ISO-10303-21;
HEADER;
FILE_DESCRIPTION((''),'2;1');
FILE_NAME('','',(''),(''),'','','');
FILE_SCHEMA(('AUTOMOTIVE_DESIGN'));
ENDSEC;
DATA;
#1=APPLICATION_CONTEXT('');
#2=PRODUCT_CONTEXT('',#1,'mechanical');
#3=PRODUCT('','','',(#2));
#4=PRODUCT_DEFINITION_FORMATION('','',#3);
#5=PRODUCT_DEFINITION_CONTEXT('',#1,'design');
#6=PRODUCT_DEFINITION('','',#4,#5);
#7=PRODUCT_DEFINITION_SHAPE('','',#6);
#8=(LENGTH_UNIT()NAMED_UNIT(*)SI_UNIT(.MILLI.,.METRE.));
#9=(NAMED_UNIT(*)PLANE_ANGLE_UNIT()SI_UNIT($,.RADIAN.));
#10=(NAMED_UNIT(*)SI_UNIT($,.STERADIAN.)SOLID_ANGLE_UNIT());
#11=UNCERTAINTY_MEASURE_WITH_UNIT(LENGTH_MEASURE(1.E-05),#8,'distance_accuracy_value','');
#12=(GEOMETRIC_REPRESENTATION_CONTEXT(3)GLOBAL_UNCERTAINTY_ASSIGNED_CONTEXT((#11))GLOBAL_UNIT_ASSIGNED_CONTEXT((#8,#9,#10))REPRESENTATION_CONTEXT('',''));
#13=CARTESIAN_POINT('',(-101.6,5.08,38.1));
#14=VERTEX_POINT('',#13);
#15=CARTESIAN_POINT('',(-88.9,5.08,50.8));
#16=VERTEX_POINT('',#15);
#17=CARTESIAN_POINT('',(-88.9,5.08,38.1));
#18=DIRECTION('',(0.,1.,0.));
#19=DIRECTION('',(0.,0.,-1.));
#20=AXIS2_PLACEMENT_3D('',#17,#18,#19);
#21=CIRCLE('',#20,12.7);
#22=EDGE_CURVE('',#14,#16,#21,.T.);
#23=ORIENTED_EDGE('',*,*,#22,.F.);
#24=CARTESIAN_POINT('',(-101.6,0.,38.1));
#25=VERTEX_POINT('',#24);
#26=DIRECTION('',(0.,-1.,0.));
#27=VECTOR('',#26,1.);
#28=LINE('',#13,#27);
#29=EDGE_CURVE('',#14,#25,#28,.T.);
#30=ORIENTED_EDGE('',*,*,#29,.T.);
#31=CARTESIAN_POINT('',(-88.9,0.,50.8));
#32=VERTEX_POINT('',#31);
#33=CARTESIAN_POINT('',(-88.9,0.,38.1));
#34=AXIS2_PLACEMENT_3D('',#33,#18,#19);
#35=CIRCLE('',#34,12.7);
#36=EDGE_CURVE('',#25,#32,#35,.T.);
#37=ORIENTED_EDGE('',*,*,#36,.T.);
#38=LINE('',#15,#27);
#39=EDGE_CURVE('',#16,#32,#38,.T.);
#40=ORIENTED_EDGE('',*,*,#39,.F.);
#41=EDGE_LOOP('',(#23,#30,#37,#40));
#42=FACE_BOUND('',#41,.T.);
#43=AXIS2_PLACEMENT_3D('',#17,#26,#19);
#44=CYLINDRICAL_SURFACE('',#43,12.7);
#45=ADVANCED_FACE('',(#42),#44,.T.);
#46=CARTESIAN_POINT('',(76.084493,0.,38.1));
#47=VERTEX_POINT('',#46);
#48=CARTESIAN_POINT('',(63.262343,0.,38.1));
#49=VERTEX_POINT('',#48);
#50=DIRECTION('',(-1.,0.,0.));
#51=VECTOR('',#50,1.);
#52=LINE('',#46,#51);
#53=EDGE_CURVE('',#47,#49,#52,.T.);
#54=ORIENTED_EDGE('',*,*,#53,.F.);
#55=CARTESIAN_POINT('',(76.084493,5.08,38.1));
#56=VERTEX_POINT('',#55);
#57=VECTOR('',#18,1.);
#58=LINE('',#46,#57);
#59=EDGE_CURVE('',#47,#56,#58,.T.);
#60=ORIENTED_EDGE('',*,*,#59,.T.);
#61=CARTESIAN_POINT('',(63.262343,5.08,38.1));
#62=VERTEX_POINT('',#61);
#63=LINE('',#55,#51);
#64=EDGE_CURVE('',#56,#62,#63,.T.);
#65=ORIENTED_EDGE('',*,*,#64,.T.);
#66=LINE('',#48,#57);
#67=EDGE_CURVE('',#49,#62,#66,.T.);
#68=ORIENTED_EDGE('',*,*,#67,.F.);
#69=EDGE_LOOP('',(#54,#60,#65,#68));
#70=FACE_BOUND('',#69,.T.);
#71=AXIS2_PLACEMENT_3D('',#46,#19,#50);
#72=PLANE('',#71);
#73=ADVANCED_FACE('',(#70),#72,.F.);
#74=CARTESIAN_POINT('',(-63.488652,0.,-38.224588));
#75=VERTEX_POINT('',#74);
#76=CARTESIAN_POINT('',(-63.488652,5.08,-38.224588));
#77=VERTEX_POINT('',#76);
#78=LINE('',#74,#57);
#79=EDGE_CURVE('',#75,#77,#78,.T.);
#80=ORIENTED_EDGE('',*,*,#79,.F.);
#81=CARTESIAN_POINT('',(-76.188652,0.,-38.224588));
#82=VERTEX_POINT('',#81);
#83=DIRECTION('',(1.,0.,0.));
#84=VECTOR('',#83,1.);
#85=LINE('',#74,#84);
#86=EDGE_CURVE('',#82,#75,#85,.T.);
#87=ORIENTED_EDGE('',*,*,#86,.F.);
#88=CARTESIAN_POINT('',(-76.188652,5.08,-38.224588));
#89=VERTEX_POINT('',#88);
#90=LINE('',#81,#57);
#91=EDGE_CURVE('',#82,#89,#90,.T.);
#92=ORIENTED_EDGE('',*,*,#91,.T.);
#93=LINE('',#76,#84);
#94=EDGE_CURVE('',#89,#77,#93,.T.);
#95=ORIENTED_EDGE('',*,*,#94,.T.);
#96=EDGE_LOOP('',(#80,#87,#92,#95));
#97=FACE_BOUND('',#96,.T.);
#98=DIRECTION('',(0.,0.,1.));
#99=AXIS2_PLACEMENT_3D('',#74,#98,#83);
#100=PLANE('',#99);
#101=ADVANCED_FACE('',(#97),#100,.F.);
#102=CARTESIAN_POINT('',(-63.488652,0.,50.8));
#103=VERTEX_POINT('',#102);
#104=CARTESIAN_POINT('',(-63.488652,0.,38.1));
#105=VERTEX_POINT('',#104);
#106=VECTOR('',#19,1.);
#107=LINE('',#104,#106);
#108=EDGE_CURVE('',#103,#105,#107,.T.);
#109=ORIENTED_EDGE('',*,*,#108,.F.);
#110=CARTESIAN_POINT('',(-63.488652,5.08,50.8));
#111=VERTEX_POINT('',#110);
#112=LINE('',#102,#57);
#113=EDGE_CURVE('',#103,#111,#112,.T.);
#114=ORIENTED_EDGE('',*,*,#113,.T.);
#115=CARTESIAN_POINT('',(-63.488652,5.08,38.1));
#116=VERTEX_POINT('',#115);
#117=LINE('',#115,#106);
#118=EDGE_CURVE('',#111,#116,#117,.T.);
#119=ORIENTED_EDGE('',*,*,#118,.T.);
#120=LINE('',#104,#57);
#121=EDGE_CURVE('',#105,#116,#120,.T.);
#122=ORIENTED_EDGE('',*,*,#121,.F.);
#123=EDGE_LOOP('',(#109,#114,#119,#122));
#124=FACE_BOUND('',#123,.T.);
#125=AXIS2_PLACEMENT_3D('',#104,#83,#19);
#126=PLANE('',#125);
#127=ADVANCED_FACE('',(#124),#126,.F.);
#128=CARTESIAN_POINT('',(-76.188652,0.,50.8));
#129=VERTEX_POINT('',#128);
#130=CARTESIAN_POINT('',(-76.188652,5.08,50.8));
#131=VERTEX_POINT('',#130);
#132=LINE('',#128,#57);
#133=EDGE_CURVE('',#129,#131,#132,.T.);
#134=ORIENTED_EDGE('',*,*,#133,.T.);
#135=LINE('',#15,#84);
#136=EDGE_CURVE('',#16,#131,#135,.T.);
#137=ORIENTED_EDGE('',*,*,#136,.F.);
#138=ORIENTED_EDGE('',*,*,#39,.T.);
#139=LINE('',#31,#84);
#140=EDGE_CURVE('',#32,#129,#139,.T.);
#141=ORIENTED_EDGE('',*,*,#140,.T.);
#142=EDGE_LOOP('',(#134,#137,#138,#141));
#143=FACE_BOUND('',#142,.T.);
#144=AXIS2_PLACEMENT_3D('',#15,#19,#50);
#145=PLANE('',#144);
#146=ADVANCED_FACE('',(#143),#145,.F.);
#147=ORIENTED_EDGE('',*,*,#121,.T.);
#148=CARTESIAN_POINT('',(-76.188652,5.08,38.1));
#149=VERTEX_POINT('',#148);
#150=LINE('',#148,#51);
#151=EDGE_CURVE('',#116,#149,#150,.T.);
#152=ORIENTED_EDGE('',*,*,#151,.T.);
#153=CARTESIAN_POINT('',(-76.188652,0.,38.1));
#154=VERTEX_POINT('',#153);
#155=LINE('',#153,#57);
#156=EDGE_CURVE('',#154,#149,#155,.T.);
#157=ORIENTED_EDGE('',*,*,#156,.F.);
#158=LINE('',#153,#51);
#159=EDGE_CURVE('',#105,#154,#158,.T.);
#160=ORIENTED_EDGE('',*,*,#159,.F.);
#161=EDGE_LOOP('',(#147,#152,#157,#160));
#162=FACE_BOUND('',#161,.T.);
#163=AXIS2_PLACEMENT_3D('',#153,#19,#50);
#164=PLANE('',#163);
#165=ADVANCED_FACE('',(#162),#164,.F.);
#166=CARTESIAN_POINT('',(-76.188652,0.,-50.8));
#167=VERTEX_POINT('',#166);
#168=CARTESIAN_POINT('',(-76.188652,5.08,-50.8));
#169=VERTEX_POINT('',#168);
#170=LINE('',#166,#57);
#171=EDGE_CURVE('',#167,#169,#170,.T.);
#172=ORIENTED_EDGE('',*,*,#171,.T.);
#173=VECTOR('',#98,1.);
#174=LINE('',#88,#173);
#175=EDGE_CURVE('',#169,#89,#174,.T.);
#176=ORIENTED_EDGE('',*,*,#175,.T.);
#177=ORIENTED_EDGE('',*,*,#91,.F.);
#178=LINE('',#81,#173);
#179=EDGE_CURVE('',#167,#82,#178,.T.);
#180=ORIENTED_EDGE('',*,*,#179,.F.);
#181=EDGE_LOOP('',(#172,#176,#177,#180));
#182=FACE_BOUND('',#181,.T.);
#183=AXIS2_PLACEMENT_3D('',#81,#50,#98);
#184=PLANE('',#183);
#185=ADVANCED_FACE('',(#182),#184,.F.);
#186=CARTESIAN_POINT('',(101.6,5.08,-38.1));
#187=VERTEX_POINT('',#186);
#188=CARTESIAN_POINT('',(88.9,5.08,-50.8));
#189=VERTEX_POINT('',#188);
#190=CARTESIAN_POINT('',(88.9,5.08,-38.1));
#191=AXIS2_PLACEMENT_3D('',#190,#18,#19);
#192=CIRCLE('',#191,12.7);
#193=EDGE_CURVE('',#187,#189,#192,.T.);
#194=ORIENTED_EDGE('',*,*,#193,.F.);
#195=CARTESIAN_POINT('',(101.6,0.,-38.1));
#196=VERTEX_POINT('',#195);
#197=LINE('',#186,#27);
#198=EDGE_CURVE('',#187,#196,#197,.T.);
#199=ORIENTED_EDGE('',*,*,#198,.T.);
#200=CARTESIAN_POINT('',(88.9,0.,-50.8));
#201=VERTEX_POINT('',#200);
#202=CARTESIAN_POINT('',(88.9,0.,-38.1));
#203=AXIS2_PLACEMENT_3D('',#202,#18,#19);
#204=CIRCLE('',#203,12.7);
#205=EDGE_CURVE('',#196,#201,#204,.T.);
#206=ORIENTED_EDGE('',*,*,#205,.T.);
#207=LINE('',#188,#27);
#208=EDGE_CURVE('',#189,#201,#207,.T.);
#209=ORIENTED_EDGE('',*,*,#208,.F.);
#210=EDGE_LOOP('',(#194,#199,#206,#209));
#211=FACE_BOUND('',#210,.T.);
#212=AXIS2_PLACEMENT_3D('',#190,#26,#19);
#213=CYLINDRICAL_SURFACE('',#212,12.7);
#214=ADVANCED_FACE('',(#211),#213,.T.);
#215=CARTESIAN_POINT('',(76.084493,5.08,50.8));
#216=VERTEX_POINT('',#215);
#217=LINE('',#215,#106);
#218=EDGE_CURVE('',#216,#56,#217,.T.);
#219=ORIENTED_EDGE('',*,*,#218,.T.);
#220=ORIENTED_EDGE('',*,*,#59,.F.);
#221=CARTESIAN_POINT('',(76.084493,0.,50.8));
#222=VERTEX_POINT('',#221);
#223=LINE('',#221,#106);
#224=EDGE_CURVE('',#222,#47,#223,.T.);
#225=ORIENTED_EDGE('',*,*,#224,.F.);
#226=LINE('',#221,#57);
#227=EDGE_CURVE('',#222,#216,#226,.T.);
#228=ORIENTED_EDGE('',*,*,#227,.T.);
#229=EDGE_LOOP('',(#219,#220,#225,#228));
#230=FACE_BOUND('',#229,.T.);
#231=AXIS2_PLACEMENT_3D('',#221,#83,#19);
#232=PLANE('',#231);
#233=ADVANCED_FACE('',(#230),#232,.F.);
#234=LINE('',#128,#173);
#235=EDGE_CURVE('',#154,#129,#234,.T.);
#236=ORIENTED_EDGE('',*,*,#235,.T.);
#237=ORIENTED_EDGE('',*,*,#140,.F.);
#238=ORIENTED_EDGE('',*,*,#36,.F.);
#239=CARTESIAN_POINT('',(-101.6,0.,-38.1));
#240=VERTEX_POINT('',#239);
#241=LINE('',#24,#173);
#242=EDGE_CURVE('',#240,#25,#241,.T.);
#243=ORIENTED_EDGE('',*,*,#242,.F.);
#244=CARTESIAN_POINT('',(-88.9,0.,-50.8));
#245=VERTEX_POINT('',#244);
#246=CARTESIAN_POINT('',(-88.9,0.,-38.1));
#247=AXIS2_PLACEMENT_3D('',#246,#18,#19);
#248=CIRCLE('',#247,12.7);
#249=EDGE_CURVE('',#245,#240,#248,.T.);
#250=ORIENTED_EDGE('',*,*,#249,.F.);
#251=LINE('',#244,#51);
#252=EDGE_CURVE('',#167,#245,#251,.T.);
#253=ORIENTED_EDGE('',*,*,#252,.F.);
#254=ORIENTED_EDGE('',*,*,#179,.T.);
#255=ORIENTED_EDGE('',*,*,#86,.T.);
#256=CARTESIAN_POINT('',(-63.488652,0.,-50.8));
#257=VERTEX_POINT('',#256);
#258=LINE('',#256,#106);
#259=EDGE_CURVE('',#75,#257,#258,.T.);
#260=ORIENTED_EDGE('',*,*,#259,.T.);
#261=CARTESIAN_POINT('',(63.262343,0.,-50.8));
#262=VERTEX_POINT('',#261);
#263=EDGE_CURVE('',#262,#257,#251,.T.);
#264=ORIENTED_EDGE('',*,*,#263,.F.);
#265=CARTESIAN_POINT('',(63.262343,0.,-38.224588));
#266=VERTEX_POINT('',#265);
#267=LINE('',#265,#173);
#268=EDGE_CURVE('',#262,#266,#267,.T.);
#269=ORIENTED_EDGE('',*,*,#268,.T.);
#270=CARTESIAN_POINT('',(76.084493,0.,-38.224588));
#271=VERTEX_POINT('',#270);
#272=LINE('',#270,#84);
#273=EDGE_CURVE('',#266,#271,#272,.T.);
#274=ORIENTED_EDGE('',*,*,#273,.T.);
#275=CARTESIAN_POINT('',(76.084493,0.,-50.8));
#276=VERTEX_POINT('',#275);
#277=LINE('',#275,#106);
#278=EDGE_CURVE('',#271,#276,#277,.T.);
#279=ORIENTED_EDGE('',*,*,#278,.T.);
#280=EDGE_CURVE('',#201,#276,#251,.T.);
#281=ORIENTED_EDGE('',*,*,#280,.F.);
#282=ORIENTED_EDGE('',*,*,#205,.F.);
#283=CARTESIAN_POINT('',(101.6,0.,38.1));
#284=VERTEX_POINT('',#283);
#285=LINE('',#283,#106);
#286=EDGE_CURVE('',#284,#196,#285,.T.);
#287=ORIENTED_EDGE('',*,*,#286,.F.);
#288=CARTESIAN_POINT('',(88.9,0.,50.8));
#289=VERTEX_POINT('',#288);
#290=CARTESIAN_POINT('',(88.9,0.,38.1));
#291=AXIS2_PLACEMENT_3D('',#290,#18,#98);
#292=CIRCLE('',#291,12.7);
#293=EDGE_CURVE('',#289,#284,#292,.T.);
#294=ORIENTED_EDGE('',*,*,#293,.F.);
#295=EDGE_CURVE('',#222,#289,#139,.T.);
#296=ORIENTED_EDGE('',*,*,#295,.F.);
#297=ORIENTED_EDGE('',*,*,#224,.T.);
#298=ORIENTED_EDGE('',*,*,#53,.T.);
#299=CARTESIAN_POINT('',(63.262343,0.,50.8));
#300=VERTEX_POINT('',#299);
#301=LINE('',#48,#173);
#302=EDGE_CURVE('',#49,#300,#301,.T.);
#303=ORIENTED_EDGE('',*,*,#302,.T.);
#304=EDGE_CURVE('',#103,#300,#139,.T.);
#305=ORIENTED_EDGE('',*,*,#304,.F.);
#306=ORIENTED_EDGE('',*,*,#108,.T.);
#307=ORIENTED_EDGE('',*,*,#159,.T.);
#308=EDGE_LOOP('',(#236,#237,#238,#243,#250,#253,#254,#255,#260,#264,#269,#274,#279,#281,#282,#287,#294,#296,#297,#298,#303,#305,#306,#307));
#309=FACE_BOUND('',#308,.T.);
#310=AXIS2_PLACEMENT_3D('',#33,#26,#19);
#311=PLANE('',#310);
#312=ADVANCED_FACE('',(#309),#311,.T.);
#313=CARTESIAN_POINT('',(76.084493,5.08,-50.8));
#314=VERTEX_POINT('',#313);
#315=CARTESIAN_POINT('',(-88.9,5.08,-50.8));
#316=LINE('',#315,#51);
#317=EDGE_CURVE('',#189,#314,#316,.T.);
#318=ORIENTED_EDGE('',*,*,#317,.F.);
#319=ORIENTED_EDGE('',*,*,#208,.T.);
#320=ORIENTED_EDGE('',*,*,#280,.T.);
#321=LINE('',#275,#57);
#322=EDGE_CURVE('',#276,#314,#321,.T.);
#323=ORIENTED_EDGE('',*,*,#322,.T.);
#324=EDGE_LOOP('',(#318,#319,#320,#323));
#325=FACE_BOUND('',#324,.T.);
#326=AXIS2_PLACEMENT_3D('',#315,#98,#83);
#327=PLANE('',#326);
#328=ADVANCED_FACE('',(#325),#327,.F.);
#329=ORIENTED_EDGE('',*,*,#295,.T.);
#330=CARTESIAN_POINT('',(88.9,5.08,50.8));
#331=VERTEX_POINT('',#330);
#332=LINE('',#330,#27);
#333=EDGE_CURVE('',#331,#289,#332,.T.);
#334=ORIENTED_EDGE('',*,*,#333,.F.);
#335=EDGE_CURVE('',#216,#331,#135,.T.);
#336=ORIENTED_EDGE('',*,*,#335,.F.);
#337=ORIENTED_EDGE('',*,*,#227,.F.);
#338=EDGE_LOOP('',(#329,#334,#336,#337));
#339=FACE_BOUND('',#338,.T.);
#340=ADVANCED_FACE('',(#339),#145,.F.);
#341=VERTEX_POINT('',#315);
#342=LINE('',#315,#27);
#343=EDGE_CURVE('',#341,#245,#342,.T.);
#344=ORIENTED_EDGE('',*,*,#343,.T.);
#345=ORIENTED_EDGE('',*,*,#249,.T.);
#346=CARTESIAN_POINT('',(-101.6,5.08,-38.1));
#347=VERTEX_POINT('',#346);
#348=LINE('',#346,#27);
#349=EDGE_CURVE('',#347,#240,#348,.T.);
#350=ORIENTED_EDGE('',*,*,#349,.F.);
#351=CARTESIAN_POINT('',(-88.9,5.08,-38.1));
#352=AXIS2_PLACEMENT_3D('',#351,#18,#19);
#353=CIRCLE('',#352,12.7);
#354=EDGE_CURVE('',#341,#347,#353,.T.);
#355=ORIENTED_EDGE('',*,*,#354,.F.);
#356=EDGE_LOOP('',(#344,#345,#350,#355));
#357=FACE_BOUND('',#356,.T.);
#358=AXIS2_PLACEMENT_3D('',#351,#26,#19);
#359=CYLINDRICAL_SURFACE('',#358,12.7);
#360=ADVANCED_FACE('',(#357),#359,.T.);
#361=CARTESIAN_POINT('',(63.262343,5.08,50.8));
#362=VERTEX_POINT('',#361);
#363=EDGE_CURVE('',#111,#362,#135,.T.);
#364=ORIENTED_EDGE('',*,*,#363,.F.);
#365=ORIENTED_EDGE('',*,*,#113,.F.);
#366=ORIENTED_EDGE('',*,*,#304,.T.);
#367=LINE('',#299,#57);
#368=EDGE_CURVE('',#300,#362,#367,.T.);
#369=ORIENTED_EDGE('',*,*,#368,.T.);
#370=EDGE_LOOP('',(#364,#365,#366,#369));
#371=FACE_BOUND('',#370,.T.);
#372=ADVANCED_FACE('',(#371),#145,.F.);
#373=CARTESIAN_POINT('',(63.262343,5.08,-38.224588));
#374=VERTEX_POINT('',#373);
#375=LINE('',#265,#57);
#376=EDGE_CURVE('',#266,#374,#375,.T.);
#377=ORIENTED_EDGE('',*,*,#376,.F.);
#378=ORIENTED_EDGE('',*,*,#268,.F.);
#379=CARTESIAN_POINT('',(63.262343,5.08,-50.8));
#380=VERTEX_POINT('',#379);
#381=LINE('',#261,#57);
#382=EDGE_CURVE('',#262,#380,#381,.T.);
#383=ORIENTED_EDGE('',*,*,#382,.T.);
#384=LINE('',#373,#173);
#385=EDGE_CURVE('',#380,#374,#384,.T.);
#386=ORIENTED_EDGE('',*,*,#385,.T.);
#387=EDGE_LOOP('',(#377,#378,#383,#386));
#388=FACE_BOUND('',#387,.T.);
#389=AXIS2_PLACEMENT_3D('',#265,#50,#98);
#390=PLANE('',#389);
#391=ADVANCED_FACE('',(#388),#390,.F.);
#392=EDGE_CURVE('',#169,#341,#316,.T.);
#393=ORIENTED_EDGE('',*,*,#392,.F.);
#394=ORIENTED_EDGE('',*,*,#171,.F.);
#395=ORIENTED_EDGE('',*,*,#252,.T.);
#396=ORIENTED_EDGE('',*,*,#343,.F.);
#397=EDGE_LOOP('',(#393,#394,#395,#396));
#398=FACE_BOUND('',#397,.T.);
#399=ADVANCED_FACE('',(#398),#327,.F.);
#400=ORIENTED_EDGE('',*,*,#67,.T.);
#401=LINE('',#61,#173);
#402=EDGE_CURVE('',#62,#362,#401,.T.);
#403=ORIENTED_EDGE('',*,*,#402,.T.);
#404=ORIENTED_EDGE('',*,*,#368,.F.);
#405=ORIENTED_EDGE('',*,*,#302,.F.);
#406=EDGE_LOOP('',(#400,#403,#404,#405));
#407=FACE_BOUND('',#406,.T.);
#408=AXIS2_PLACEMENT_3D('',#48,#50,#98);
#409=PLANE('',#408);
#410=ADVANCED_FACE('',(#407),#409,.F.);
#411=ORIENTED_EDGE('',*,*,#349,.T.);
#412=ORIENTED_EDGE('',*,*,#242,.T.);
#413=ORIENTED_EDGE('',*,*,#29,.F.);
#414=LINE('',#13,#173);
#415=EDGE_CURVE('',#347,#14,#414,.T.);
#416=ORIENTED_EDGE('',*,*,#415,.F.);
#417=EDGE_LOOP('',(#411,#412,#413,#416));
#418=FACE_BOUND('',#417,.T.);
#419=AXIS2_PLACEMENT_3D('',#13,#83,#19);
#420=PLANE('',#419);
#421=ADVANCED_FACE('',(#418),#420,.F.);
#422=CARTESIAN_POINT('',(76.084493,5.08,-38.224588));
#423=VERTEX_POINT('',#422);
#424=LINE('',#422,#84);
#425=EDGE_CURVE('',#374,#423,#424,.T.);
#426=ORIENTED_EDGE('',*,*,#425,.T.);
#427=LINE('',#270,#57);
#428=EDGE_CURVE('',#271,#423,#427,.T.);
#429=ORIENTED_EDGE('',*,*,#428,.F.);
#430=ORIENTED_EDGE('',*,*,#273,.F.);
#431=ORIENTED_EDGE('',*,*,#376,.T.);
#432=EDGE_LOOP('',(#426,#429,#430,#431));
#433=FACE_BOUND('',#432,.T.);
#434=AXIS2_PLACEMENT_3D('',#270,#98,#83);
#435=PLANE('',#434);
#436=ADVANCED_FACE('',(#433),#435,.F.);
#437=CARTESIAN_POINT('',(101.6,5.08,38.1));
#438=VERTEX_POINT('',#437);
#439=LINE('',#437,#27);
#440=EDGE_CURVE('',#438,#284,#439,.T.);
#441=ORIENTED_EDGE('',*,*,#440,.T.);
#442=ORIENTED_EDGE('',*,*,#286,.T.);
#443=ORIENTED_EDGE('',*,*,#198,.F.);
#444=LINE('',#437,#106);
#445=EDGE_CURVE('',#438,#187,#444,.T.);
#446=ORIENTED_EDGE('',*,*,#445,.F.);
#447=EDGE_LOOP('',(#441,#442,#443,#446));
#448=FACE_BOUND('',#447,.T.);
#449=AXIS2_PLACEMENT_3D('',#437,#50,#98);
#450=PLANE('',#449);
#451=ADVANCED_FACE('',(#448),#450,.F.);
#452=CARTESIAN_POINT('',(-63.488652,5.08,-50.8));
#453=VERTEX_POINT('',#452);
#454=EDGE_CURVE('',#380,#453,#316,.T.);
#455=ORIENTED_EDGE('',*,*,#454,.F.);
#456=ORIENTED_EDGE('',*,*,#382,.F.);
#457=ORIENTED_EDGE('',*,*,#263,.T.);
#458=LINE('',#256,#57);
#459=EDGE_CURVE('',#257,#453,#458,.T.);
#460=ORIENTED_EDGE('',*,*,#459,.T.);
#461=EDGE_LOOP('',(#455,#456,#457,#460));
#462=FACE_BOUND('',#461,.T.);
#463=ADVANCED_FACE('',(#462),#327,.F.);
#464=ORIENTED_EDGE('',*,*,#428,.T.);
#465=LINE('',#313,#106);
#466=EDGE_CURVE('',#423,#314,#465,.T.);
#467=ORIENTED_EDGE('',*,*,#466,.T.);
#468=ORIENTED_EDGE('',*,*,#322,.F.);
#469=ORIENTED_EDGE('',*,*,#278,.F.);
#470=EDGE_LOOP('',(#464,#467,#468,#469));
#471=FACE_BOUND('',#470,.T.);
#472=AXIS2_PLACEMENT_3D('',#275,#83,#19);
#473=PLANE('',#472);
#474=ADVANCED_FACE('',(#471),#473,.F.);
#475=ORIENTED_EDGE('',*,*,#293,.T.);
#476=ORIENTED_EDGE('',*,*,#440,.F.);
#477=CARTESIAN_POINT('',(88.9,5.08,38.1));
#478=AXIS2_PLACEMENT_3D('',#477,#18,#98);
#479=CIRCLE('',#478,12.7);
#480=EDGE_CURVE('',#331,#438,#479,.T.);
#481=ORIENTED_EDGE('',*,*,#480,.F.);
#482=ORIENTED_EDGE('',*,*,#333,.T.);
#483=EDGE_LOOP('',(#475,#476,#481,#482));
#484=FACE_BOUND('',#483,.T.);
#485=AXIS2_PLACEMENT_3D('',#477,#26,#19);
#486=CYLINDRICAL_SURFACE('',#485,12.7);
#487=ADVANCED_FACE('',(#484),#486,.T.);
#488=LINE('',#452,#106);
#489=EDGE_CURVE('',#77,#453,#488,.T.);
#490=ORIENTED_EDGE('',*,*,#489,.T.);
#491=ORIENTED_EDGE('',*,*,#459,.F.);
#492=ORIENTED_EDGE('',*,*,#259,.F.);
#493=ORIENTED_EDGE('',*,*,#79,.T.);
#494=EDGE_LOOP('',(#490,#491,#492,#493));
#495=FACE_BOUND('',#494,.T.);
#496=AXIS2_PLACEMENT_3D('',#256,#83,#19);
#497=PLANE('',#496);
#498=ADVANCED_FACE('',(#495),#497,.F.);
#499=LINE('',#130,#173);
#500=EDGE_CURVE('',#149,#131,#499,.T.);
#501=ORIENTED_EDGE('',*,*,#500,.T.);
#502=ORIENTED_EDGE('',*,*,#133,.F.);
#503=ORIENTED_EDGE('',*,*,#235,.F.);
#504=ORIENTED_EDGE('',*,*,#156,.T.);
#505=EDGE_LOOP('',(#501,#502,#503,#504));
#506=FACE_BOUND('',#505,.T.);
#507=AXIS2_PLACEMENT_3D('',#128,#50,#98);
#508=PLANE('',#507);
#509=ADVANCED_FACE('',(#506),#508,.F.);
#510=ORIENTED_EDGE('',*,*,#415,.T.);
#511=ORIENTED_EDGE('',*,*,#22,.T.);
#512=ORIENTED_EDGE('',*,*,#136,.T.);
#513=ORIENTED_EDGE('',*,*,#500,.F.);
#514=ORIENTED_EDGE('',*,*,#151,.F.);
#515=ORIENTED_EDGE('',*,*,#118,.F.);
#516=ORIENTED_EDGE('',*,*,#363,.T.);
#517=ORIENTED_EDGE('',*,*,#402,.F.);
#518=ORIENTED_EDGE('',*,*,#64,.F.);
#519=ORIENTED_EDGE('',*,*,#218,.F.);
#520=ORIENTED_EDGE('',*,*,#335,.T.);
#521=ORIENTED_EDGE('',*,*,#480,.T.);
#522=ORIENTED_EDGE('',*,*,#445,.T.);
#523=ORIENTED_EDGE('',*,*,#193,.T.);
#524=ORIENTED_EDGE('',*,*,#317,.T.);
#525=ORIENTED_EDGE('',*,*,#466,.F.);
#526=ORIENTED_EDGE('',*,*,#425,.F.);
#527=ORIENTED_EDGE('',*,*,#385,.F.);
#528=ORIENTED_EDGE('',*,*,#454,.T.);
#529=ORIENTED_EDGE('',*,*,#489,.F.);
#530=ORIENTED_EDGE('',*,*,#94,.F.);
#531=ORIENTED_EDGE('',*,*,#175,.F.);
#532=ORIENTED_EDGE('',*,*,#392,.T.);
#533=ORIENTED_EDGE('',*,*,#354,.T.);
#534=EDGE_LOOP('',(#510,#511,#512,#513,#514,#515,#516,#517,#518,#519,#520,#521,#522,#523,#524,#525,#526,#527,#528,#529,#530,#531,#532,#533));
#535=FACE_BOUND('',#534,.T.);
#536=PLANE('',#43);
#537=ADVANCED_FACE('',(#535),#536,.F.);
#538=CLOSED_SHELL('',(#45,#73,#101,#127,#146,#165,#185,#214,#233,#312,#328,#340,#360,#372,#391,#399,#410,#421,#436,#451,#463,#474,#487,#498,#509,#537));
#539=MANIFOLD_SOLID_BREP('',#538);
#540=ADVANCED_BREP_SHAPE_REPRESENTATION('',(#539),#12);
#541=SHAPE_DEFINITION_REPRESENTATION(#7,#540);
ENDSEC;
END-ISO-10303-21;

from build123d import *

# Parameters (mm, degrees)
BOSS_EXTRUDE1_DEPTH = 5.08
SKETCH3_W           = 12.7
SKETCH3_H           = 12.7
SKETCH3_H_2         = 12.575411903
SKETCH3_W_2         = 12.822150439
CUT_EXTRUDE1_DEPTH  = 114.705788771


with BuildPart() as part:
    # Sketch2 → Boss-Extrude1 (new body)
    with BuildSketch(Plane(origin=(0, 0, 0), x_dir=(1, 0, 0), z_dir=(0, 1, 0))):
        with BuildLine():
            Line((-88.9, -50.8), (88.9, -50.8))
            ThreePointArc((88.9, -50.8), (97.880256121, -47.080256121), (101.6, -38.1))
            Line((101.6, -38.1), (101.6, 38.1))
            ThreePointArc((101.6, 38.1), (97.880256121, 47.080256121), (88.9, 50.8))
            Line((88.9, 50.8), (-88.9, 50.8))
            ThreePointArc((-88.9, 50.8), (-97.880256121, 47.080256121), (-101.6, 38.1))
            Line((-101.6, 38.1), (-101.6, -38.1))
            ThreePointArc((-101.6, -38.1), (-97.880256121, -47.080256121), (-88.9, -50.8))
        make_face()
    extrude(amount=BOSS_EXTRUDE1_DEPTH)

    # Sketch3 → Cut-Extrude1 (cut, through all)
    with BuildSketch(Plane(origin=(0, 5.08, 0), x_dir=(1, 0, 0), z_dir=(0, 1, 0))):
        with Locations((-69.838651623, -44.45)):
            Rectangle(SKETCH3_W, SKETCH3_H)
        with Locations((-69.838651623, 44.512294049)):
            Rectangle(SKETCH3_W, SKETCH3_H_2)
        with Locations((69.673417763, -44.45)):
            Rectangle(SKETCH3_W_2, SKETCH3_H)
        with Locations((69.673417763, 44.512294049)):
            Rectangle(SKETCH3_W_2, SKETCH3_H_2)
    extrude(amount=-CUT_EXTRUDE1_DEPTH, mode=Mode.SUBTRACT)


solid = part.part
